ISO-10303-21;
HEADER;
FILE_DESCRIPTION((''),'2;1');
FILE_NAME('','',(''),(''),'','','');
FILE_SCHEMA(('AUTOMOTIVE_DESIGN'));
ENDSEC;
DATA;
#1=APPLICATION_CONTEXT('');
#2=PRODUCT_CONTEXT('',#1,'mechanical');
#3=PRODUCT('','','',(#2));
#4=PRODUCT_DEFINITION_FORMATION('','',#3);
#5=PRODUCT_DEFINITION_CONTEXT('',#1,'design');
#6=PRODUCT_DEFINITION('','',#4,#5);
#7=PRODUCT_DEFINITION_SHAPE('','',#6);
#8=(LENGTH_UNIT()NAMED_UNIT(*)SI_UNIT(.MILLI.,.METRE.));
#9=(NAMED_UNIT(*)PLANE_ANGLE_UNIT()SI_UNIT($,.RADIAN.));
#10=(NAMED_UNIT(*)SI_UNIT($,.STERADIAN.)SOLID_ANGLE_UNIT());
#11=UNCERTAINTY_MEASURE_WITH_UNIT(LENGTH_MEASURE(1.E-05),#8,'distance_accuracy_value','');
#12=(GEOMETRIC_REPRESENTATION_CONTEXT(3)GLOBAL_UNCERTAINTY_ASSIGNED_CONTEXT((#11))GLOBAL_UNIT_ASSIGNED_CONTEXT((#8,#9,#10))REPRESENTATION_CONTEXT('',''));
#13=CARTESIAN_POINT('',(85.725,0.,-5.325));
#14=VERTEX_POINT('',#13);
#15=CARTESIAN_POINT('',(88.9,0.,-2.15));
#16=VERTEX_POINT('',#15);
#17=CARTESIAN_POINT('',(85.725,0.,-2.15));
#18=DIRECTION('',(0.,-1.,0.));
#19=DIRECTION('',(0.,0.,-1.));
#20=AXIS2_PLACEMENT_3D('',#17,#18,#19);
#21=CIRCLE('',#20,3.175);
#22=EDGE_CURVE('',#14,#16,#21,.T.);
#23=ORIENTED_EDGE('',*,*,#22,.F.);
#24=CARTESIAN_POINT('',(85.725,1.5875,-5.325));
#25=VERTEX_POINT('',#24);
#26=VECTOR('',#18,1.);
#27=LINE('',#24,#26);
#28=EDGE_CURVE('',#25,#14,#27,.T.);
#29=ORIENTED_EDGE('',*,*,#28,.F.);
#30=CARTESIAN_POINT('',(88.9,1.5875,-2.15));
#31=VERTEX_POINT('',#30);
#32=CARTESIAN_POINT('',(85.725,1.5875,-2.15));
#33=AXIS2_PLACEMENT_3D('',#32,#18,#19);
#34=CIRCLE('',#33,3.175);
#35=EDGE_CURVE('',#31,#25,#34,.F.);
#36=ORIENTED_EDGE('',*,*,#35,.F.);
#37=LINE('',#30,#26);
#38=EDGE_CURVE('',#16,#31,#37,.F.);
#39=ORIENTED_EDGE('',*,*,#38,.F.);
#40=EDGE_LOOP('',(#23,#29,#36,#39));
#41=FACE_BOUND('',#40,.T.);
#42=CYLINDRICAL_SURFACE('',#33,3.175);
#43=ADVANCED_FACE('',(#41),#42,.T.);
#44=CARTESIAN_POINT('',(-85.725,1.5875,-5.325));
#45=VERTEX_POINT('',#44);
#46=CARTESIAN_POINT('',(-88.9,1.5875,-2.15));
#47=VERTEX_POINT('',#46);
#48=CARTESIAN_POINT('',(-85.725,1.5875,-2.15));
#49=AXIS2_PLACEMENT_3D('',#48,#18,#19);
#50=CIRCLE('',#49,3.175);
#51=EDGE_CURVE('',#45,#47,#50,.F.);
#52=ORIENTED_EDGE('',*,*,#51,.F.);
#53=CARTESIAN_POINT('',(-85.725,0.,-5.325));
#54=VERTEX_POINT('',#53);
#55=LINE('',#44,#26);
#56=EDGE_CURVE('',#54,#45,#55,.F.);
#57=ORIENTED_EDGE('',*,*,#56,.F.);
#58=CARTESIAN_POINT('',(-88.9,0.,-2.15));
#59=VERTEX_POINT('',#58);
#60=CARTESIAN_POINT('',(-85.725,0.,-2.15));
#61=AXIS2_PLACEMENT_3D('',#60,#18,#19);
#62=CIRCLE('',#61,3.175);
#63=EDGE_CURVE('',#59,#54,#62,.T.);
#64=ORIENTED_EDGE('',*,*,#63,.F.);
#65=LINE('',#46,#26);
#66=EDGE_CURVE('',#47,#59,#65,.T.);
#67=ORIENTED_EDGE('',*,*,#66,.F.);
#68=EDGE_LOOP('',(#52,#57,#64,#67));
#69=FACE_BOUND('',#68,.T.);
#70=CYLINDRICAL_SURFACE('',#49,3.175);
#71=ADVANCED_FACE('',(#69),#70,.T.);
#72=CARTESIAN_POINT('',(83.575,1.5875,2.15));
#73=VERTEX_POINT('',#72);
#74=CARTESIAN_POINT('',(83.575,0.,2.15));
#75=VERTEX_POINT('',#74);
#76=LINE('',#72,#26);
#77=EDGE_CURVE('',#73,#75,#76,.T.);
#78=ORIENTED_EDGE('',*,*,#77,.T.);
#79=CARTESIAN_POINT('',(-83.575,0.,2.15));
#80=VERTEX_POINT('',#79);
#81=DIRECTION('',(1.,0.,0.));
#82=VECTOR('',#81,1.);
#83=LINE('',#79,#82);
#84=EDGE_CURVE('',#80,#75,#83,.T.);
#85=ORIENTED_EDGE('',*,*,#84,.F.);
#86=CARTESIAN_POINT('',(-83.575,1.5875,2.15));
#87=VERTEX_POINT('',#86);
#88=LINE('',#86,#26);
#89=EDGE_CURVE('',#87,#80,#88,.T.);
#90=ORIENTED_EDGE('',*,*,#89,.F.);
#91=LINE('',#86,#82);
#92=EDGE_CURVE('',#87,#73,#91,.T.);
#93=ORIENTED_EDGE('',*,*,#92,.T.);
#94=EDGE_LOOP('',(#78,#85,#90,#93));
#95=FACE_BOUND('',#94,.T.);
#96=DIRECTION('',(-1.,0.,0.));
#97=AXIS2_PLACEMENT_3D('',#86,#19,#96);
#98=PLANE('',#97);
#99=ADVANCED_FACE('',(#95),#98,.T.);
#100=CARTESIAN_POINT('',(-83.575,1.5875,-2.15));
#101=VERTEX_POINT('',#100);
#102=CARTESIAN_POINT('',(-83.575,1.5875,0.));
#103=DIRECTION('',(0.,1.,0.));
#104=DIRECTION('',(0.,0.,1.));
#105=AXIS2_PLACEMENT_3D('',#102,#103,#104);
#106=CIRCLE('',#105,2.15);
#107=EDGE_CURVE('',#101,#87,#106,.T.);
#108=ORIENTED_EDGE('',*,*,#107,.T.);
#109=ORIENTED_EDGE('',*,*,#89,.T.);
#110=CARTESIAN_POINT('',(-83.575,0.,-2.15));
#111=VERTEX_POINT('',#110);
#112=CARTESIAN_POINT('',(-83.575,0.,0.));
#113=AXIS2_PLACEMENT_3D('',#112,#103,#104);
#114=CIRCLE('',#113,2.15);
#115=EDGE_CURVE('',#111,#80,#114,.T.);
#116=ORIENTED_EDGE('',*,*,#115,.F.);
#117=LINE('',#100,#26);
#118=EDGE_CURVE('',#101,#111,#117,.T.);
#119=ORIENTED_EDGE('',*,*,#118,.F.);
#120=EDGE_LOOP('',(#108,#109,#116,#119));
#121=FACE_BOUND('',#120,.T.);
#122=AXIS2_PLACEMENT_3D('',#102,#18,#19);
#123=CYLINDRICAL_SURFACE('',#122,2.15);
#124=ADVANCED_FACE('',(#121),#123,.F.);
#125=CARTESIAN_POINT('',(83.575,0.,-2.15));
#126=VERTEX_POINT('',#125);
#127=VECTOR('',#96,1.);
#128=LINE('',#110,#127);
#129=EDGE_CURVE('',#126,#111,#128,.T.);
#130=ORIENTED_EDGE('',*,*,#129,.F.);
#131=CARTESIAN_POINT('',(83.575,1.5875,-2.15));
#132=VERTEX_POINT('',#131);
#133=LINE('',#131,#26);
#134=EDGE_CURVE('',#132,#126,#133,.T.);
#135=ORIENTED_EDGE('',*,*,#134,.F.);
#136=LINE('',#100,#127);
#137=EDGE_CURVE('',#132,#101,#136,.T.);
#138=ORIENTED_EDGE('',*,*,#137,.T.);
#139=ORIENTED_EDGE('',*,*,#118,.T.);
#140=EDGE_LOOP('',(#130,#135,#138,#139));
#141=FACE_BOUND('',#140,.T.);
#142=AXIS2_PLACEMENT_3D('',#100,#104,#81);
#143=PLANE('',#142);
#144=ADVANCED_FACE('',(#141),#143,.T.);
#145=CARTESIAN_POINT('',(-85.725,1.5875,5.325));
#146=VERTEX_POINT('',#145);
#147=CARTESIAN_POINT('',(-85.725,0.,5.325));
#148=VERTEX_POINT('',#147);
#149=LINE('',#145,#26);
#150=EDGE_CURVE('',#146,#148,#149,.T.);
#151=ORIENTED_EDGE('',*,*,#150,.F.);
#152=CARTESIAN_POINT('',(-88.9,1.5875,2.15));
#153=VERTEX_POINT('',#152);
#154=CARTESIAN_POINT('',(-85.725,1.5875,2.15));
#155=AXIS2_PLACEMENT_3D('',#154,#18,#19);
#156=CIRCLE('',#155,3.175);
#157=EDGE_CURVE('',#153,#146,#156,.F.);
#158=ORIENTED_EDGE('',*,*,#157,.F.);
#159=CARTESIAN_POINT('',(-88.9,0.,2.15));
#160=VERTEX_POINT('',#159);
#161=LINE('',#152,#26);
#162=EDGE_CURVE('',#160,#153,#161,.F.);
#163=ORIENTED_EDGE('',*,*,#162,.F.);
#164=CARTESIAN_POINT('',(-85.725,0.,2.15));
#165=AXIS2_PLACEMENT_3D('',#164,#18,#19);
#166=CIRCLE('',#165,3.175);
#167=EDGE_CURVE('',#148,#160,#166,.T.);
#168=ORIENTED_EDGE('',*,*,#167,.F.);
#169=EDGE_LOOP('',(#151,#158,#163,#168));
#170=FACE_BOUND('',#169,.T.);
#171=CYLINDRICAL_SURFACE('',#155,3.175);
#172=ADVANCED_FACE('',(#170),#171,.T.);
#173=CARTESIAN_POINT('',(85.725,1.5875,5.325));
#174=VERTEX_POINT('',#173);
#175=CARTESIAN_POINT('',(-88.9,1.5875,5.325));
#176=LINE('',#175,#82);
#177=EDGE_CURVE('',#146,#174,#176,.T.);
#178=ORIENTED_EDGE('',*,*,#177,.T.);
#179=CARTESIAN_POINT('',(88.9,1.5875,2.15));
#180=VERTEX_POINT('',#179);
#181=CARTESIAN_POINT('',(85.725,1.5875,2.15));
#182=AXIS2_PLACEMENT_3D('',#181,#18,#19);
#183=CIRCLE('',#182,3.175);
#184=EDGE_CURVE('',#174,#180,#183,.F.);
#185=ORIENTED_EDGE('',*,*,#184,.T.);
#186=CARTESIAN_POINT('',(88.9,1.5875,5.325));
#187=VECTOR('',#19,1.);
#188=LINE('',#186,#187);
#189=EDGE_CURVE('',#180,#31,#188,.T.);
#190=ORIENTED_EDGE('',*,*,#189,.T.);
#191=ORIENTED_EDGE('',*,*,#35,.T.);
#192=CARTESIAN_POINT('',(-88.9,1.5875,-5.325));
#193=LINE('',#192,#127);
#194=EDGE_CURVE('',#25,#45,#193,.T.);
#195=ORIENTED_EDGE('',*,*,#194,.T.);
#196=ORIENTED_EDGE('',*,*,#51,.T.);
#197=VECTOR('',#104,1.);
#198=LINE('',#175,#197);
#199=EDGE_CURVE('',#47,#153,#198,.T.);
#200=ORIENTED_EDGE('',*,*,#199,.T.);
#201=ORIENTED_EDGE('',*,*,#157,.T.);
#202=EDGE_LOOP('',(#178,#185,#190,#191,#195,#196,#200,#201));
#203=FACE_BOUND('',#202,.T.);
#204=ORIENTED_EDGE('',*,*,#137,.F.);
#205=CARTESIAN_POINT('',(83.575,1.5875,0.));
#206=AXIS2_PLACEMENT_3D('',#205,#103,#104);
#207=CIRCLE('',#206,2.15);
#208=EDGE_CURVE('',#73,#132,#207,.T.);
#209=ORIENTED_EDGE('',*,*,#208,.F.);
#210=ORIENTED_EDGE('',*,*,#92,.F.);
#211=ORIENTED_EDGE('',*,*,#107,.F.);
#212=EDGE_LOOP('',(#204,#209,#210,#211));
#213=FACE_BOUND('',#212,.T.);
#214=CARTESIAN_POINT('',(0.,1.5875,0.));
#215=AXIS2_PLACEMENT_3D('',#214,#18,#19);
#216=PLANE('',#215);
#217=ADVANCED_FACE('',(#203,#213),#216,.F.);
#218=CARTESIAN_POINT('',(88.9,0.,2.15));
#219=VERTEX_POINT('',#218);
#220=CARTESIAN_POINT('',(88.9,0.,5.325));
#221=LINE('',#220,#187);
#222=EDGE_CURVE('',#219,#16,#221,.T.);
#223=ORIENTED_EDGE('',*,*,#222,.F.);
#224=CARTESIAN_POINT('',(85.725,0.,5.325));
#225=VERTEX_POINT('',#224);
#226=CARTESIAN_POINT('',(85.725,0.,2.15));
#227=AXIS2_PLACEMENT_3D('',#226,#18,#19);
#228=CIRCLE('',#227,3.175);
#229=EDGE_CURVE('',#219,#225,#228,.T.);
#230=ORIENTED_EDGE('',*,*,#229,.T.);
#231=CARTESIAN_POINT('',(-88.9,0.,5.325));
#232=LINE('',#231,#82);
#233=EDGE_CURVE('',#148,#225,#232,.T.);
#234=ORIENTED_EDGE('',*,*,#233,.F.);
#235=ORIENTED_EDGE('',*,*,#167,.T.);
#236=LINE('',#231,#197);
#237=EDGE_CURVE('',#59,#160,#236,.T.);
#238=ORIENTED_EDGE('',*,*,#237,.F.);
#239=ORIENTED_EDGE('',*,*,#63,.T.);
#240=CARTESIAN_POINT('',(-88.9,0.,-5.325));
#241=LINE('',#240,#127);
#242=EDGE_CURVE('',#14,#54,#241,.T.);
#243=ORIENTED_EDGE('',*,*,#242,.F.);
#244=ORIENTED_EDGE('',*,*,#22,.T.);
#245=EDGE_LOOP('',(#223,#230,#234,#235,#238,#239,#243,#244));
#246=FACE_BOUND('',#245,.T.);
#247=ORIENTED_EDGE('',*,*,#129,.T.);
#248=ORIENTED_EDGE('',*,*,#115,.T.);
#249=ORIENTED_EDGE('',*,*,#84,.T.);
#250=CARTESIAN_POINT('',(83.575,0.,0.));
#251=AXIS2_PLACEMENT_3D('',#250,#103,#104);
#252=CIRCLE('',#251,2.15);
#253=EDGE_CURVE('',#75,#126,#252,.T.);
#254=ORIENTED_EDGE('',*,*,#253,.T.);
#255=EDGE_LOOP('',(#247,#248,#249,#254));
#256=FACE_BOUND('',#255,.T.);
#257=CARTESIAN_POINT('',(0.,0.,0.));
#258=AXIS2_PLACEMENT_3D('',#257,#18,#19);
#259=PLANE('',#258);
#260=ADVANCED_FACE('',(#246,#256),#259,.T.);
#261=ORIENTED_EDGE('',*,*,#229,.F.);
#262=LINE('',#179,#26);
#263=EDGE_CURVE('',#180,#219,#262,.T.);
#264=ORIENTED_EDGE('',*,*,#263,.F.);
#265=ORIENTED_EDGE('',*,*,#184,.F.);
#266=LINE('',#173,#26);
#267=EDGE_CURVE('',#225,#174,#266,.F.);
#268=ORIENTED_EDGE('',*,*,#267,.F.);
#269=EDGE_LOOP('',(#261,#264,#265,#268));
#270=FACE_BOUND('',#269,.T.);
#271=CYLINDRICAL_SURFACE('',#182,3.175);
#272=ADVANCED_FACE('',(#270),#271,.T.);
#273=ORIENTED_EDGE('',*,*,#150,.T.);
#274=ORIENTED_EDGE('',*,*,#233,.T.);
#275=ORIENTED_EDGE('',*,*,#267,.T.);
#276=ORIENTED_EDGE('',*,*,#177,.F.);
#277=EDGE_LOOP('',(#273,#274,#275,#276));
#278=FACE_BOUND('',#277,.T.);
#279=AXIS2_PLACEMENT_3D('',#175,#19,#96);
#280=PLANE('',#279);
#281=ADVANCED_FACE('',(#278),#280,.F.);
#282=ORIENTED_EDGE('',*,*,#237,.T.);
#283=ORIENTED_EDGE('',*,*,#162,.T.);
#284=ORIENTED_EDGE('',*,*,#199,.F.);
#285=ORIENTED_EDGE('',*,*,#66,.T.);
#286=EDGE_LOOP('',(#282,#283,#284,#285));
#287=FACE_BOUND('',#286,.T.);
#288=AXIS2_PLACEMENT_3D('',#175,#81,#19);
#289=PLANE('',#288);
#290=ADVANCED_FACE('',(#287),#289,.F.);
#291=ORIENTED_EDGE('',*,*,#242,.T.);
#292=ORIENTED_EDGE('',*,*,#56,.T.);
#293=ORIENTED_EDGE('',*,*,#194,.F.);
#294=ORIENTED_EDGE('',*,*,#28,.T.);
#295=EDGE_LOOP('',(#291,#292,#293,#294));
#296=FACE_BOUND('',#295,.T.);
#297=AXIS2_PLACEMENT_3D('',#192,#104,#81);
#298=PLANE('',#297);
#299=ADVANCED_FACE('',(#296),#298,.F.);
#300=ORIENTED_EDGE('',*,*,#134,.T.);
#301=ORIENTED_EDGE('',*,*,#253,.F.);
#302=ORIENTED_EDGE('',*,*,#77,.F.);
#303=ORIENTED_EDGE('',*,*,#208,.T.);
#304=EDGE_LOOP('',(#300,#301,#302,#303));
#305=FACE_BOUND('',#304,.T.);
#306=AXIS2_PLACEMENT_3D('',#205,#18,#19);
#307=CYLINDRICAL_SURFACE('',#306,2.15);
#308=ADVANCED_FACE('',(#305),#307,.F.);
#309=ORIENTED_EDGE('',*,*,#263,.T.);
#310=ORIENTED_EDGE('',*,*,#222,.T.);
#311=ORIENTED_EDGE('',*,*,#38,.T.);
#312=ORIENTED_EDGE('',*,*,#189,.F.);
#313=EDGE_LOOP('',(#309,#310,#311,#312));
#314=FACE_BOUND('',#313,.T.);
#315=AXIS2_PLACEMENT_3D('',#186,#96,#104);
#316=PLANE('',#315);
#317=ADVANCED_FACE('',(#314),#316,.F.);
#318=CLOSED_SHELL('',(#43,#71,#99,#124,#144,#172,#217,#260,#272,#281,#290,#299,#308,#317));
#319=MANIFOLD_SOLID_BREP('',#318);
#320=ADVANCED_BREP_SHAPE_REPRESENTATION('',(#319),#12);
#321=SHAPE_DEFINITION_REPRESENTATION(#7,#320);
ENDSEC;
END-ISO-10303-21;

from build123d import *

# Parameters (mm, degrees)
SKETCH1_W           = 177.8
SKETCH1_H           = 10.65
BOSS_EXTRUDE1_DEPTH = 1.5875
FILLET1_R           = 3.175


with BuildPart() as part:
    # Sketch1 → Boss-Extrude1 (new body)
    with BuildSketch(Plane(origin=(0, 0, 0), x_dir=(1, 0, 0), z_dir=(0, 1, 0))):
        Rectangle(SKETCH1_W, SKETCH1_H)
        with BuildLine():
            Line((-83.575, 2.15), (83.575, 2.15))
            ThreePointArc((83.575, 2.15), (85.725, 0), (83.575, -2.15))
            Line((83.575, -2.15), (-83.575, -2.15))
            ThreePointArc((-83.575, -2.15), (-85.725, 0), (-83.575, 2.15))
        make_face(mode=Mode.SUBTRACT)
    extrude(amount=BOSS_EXTRUDE1_DEPTH)

    # Fillet1
    fillet1_edges = [part.edges().sort_by_distance(p)[0] for p in [
        (88.9, 0.79375, 5.325),
        (-88.9, 0.79375, 5.325),
        (-88.9, 0.79375, -5.325),
        (88.9, 0.79375, -5.325),
    ]]
    fillet(fillet1_edges, radius=FILLET1_R)


solid = part.part
